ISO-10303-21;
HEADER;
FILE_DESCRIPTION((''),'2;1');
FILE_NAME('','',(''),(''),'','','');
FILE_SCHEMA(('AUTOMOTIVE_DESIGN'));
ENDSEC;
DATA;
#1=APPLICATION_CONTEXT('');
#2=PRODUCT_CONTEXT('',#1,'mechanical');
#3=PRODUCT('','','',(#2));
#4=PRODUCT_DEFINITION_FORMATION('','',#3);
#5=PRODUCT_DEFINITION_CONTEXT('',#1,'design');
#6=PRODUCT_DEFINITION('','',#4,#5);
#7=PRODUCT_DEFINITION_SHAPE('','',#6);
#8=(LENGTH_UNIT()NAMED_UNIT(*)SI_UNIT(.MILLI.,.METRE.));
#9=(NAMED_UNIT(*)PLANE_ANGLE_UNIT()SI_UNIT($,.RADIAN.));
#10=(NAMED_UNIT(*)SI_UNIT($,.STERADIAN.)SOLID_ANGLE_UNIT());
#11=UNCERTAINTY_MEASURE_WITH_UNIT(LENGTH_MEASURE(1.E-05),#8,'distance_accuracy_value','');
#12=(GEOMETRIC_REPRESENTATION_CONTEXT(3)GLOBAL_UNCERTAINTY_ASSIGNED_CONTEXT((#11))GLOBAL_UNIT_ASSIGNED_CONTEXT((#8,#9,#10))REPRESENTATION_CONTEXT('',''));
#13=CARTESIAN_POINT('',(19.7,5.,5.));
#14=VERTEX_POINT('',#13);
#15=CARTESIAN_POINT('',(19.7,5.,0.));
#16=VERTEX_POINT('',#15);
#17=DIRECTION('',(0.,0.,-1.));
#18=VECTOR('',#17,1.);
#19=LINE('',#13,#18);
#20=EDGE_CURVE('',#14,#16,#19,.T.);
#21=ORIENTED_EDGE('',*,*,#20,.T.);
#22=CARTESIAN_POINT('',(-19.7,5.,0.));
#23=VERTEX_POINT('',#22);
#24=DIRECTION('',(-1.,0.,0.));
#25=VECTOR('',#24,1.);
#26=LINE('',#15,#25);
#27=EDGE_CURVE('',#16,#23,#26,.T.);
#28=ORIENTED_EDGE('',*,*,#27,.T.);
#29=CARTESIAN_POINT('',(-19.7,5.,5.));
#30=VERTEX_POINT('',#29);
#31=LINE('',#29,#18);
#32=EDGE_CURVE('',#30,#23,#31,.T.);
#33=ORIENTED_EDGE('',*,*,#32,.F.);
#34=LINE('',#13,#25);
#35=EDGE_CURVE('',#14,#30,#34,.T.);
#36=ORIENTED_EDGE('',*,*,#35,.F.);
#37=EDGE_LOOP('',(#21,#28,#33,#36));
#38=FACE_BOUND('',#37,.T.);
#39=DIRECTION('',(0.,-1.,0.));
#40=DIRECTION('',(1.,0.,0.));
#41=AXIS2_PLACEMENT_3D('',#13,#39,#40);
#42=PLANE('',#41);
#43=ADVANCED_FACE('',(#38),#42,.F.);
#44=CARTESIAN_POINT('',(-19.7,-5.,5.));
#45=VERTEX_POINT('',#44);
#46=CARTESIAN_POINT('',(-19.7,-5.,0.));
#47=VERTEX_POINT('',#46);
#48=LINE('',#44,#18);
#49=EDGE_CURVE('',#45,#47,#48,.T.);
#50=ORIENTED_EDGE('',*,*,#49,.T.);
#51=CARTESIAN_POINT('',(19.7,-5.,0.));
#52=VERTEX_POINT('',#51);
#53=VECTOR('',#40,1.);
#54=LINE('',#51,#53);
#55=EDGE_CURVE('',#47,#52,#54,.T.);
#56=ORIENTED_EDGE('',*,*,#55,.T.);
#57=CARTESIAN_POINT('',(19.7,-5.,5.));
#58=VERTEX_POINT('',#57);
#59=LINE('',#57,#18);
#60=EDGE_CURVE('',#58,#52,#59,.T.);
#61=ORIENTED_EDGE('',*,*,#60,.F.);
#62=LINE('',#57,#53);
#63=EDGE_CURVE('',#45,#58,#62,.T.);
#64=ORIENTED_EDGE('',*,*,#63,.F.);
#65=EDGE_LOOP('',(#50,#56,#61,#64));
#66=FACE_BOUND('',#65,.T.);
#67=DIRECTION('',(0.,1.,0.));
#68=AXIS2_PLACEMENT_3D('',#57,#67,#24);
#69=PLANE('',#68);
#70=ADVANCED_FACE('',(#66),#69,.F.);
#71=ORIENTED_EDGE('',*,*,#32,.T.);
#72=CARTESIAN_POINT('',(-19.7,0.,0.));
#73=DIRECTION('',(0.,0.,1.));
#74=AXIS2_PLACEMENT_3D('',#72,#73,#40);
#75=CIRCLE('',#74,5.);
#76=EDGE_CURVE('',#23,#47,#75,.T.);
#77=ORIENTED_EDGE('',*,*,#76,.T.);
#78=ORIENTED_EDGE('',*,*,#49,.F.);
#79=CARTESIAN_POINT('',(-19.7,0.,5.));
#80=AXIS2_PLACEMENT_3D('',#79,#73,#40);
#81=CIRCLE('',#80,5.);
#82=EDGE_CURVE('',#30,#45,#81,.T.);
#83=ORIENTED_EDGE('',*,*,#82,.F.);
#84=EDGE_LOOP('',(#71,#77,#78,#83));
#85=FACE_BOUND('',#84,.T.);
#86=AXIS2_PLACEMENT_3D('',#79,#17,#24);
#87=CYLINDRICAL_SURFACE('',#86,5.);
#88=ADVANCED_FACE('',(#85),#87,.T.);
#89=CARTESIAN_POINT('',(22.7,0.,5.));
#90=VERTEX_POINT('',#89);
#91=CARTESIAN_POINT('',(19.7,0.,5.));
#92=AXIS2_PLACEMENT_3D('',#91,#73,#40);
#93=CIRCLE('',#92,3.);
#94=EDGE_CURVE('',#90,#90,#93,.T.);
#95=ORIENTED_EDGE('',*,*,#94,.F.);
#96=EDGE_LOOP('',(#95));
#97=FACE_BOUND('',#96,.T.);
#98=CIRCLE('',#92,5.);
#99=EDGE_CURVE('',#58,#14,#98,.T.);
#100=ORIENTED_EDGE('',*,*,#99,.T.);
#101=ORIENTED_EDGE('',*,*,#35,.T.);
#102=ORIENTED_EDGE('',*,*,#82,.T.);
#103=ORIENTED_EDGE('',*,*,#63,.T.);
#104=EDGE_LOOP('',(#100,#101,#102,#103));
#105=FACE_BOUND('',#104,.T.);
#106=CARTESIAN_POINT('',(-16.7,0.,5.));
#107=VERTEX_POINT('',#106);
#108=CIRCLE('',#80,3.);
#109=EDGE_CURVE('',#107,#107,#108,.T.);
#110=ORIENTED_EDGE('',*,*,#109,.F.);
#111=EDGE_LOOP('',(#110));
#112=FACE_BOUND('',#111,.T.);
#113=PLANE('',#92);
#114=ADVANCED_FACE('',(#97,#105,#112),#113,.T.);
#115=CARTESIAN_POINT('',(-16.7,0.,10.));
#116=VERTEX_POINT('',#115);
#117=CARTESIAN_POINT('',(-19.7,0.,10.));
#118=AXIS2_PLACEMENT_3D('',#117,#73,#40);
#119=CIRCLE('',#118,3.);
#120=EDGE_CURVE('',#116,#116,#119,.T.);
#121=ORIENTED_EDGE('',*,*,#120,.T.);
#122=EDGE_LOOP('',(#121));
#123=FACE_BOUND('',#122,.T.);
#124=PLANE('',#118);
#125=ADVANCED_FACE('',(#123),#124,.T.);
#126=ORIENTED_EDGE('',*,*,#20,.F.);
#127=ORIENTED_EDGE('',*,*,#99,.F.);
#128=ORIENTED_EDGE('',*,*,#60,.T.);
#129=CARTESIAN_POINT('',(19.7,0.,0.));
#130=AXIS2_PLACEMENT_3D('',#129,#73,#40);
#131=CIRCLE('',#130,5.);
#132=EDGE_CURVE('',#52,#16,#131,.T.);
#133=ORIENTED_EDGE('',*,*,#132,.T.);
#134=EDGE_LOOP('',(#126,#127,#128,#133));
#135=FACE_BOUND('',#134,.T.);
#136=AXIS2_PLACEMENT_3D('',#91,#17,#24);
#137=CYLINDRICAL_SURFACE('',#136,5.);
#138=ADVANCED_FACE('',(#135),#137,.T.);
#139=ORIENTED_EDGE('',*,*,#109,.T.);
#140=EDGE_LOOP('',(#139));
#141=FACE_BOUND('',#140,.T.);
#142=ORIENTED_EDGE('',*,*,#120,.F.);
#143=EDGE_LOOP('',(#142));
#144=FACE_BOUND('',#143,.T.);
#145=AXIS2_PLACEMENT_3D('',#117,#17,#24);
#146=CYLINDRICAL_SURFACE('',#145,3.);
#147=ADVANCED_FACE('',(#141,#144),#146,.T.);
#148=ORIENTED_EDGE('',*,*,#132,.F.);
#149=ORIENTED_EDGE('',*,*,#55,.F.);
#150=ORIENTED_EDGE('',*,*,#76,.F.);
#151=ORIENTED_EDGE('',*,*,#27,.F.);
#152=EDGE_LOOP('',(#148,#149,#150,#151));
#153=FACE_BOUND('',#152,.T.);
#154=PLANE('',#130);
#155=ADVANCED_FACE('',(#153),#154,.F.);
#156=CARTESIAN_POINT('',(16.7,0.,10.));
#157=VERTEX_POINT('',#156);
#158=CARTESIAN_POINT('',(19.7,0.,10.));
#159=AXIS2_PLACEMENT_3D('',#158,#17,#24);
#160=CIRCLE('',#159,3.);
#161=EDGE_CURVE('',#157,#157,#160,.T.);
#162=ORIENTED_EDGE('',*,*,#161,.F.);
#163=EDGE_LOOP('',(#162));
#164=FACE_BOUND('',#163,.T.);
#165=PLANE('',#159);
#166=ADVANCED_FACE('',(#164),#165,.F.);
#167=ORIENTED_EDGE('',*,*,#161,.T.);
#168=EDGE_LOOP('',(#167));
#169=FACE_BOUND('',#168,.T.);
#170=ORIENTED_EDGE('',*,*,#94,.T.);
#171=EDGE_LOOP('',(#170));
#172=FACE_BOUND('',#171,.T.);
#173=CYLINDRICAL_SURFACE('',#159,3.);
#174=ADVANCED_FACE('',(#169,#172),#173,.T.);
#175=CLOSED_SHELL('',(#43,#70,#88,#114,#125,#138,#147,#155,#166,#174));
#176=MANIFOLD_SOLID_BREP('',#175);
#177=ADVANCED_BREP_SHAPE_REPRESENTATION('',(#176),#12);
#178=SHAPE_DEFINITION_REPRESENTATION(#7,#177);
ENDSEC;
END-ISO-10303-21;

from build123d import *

# Parameters (mm, degrees)
SKETCH1_R           = 3
BOSS_EXTRUDE1_DEPTH = 5
SKETCH2_R           = 3
BOSS_EXTRUDE2_DEPTH = 5
SKETCH3_R           = 3
BOSS_EXTRUDE3_DEPTH = 10


with BuildPart() as part:
    # Sketch1 → Boss-Extrude1 (new body)
    with BuildSketch(Plane.XY):
        with BuildLine():
            Line((19.7, -5), (-19.7, -5))
            ThreePointArc((-19.7, -5), (-24.7, 0), (-19.7, 5))
            Line((-19.7, 5), (19.7, 5))
            ThreePointArc((19.7, 5), (24.7, 0), (19.7, -5))
        make_face()
        with Locations((19.7, 0)):
            Circle(SKETCH1_R, mode=Mode.SUBTRACT)
    extrude(amount=BOSS_EXTRUDE1_DEPTH)

    # Sketch2 → Boss-Extrude2 (add)
    with BuildSketch(Plane.XY.offset(5)):
        with Locations((-19.7, 0)):
            Circle(SKETCH2_R)
    extrude(amount=BOSS_EXTRUDE2_DEPTH)

    # Sketch3 → Boss-Extrude3 (add)
    with BuildSketch(Plane(origin=(0, 0, 0), x_dir=(-1, 0, 0), z_dir=(0, 0, -1))):
        with Locations((-19.7, 0)):
            Circle(SKETCH3_R)
    extrude(amount=-BOSS_EXTRUDE3_DEPTH)


solid = part.part
